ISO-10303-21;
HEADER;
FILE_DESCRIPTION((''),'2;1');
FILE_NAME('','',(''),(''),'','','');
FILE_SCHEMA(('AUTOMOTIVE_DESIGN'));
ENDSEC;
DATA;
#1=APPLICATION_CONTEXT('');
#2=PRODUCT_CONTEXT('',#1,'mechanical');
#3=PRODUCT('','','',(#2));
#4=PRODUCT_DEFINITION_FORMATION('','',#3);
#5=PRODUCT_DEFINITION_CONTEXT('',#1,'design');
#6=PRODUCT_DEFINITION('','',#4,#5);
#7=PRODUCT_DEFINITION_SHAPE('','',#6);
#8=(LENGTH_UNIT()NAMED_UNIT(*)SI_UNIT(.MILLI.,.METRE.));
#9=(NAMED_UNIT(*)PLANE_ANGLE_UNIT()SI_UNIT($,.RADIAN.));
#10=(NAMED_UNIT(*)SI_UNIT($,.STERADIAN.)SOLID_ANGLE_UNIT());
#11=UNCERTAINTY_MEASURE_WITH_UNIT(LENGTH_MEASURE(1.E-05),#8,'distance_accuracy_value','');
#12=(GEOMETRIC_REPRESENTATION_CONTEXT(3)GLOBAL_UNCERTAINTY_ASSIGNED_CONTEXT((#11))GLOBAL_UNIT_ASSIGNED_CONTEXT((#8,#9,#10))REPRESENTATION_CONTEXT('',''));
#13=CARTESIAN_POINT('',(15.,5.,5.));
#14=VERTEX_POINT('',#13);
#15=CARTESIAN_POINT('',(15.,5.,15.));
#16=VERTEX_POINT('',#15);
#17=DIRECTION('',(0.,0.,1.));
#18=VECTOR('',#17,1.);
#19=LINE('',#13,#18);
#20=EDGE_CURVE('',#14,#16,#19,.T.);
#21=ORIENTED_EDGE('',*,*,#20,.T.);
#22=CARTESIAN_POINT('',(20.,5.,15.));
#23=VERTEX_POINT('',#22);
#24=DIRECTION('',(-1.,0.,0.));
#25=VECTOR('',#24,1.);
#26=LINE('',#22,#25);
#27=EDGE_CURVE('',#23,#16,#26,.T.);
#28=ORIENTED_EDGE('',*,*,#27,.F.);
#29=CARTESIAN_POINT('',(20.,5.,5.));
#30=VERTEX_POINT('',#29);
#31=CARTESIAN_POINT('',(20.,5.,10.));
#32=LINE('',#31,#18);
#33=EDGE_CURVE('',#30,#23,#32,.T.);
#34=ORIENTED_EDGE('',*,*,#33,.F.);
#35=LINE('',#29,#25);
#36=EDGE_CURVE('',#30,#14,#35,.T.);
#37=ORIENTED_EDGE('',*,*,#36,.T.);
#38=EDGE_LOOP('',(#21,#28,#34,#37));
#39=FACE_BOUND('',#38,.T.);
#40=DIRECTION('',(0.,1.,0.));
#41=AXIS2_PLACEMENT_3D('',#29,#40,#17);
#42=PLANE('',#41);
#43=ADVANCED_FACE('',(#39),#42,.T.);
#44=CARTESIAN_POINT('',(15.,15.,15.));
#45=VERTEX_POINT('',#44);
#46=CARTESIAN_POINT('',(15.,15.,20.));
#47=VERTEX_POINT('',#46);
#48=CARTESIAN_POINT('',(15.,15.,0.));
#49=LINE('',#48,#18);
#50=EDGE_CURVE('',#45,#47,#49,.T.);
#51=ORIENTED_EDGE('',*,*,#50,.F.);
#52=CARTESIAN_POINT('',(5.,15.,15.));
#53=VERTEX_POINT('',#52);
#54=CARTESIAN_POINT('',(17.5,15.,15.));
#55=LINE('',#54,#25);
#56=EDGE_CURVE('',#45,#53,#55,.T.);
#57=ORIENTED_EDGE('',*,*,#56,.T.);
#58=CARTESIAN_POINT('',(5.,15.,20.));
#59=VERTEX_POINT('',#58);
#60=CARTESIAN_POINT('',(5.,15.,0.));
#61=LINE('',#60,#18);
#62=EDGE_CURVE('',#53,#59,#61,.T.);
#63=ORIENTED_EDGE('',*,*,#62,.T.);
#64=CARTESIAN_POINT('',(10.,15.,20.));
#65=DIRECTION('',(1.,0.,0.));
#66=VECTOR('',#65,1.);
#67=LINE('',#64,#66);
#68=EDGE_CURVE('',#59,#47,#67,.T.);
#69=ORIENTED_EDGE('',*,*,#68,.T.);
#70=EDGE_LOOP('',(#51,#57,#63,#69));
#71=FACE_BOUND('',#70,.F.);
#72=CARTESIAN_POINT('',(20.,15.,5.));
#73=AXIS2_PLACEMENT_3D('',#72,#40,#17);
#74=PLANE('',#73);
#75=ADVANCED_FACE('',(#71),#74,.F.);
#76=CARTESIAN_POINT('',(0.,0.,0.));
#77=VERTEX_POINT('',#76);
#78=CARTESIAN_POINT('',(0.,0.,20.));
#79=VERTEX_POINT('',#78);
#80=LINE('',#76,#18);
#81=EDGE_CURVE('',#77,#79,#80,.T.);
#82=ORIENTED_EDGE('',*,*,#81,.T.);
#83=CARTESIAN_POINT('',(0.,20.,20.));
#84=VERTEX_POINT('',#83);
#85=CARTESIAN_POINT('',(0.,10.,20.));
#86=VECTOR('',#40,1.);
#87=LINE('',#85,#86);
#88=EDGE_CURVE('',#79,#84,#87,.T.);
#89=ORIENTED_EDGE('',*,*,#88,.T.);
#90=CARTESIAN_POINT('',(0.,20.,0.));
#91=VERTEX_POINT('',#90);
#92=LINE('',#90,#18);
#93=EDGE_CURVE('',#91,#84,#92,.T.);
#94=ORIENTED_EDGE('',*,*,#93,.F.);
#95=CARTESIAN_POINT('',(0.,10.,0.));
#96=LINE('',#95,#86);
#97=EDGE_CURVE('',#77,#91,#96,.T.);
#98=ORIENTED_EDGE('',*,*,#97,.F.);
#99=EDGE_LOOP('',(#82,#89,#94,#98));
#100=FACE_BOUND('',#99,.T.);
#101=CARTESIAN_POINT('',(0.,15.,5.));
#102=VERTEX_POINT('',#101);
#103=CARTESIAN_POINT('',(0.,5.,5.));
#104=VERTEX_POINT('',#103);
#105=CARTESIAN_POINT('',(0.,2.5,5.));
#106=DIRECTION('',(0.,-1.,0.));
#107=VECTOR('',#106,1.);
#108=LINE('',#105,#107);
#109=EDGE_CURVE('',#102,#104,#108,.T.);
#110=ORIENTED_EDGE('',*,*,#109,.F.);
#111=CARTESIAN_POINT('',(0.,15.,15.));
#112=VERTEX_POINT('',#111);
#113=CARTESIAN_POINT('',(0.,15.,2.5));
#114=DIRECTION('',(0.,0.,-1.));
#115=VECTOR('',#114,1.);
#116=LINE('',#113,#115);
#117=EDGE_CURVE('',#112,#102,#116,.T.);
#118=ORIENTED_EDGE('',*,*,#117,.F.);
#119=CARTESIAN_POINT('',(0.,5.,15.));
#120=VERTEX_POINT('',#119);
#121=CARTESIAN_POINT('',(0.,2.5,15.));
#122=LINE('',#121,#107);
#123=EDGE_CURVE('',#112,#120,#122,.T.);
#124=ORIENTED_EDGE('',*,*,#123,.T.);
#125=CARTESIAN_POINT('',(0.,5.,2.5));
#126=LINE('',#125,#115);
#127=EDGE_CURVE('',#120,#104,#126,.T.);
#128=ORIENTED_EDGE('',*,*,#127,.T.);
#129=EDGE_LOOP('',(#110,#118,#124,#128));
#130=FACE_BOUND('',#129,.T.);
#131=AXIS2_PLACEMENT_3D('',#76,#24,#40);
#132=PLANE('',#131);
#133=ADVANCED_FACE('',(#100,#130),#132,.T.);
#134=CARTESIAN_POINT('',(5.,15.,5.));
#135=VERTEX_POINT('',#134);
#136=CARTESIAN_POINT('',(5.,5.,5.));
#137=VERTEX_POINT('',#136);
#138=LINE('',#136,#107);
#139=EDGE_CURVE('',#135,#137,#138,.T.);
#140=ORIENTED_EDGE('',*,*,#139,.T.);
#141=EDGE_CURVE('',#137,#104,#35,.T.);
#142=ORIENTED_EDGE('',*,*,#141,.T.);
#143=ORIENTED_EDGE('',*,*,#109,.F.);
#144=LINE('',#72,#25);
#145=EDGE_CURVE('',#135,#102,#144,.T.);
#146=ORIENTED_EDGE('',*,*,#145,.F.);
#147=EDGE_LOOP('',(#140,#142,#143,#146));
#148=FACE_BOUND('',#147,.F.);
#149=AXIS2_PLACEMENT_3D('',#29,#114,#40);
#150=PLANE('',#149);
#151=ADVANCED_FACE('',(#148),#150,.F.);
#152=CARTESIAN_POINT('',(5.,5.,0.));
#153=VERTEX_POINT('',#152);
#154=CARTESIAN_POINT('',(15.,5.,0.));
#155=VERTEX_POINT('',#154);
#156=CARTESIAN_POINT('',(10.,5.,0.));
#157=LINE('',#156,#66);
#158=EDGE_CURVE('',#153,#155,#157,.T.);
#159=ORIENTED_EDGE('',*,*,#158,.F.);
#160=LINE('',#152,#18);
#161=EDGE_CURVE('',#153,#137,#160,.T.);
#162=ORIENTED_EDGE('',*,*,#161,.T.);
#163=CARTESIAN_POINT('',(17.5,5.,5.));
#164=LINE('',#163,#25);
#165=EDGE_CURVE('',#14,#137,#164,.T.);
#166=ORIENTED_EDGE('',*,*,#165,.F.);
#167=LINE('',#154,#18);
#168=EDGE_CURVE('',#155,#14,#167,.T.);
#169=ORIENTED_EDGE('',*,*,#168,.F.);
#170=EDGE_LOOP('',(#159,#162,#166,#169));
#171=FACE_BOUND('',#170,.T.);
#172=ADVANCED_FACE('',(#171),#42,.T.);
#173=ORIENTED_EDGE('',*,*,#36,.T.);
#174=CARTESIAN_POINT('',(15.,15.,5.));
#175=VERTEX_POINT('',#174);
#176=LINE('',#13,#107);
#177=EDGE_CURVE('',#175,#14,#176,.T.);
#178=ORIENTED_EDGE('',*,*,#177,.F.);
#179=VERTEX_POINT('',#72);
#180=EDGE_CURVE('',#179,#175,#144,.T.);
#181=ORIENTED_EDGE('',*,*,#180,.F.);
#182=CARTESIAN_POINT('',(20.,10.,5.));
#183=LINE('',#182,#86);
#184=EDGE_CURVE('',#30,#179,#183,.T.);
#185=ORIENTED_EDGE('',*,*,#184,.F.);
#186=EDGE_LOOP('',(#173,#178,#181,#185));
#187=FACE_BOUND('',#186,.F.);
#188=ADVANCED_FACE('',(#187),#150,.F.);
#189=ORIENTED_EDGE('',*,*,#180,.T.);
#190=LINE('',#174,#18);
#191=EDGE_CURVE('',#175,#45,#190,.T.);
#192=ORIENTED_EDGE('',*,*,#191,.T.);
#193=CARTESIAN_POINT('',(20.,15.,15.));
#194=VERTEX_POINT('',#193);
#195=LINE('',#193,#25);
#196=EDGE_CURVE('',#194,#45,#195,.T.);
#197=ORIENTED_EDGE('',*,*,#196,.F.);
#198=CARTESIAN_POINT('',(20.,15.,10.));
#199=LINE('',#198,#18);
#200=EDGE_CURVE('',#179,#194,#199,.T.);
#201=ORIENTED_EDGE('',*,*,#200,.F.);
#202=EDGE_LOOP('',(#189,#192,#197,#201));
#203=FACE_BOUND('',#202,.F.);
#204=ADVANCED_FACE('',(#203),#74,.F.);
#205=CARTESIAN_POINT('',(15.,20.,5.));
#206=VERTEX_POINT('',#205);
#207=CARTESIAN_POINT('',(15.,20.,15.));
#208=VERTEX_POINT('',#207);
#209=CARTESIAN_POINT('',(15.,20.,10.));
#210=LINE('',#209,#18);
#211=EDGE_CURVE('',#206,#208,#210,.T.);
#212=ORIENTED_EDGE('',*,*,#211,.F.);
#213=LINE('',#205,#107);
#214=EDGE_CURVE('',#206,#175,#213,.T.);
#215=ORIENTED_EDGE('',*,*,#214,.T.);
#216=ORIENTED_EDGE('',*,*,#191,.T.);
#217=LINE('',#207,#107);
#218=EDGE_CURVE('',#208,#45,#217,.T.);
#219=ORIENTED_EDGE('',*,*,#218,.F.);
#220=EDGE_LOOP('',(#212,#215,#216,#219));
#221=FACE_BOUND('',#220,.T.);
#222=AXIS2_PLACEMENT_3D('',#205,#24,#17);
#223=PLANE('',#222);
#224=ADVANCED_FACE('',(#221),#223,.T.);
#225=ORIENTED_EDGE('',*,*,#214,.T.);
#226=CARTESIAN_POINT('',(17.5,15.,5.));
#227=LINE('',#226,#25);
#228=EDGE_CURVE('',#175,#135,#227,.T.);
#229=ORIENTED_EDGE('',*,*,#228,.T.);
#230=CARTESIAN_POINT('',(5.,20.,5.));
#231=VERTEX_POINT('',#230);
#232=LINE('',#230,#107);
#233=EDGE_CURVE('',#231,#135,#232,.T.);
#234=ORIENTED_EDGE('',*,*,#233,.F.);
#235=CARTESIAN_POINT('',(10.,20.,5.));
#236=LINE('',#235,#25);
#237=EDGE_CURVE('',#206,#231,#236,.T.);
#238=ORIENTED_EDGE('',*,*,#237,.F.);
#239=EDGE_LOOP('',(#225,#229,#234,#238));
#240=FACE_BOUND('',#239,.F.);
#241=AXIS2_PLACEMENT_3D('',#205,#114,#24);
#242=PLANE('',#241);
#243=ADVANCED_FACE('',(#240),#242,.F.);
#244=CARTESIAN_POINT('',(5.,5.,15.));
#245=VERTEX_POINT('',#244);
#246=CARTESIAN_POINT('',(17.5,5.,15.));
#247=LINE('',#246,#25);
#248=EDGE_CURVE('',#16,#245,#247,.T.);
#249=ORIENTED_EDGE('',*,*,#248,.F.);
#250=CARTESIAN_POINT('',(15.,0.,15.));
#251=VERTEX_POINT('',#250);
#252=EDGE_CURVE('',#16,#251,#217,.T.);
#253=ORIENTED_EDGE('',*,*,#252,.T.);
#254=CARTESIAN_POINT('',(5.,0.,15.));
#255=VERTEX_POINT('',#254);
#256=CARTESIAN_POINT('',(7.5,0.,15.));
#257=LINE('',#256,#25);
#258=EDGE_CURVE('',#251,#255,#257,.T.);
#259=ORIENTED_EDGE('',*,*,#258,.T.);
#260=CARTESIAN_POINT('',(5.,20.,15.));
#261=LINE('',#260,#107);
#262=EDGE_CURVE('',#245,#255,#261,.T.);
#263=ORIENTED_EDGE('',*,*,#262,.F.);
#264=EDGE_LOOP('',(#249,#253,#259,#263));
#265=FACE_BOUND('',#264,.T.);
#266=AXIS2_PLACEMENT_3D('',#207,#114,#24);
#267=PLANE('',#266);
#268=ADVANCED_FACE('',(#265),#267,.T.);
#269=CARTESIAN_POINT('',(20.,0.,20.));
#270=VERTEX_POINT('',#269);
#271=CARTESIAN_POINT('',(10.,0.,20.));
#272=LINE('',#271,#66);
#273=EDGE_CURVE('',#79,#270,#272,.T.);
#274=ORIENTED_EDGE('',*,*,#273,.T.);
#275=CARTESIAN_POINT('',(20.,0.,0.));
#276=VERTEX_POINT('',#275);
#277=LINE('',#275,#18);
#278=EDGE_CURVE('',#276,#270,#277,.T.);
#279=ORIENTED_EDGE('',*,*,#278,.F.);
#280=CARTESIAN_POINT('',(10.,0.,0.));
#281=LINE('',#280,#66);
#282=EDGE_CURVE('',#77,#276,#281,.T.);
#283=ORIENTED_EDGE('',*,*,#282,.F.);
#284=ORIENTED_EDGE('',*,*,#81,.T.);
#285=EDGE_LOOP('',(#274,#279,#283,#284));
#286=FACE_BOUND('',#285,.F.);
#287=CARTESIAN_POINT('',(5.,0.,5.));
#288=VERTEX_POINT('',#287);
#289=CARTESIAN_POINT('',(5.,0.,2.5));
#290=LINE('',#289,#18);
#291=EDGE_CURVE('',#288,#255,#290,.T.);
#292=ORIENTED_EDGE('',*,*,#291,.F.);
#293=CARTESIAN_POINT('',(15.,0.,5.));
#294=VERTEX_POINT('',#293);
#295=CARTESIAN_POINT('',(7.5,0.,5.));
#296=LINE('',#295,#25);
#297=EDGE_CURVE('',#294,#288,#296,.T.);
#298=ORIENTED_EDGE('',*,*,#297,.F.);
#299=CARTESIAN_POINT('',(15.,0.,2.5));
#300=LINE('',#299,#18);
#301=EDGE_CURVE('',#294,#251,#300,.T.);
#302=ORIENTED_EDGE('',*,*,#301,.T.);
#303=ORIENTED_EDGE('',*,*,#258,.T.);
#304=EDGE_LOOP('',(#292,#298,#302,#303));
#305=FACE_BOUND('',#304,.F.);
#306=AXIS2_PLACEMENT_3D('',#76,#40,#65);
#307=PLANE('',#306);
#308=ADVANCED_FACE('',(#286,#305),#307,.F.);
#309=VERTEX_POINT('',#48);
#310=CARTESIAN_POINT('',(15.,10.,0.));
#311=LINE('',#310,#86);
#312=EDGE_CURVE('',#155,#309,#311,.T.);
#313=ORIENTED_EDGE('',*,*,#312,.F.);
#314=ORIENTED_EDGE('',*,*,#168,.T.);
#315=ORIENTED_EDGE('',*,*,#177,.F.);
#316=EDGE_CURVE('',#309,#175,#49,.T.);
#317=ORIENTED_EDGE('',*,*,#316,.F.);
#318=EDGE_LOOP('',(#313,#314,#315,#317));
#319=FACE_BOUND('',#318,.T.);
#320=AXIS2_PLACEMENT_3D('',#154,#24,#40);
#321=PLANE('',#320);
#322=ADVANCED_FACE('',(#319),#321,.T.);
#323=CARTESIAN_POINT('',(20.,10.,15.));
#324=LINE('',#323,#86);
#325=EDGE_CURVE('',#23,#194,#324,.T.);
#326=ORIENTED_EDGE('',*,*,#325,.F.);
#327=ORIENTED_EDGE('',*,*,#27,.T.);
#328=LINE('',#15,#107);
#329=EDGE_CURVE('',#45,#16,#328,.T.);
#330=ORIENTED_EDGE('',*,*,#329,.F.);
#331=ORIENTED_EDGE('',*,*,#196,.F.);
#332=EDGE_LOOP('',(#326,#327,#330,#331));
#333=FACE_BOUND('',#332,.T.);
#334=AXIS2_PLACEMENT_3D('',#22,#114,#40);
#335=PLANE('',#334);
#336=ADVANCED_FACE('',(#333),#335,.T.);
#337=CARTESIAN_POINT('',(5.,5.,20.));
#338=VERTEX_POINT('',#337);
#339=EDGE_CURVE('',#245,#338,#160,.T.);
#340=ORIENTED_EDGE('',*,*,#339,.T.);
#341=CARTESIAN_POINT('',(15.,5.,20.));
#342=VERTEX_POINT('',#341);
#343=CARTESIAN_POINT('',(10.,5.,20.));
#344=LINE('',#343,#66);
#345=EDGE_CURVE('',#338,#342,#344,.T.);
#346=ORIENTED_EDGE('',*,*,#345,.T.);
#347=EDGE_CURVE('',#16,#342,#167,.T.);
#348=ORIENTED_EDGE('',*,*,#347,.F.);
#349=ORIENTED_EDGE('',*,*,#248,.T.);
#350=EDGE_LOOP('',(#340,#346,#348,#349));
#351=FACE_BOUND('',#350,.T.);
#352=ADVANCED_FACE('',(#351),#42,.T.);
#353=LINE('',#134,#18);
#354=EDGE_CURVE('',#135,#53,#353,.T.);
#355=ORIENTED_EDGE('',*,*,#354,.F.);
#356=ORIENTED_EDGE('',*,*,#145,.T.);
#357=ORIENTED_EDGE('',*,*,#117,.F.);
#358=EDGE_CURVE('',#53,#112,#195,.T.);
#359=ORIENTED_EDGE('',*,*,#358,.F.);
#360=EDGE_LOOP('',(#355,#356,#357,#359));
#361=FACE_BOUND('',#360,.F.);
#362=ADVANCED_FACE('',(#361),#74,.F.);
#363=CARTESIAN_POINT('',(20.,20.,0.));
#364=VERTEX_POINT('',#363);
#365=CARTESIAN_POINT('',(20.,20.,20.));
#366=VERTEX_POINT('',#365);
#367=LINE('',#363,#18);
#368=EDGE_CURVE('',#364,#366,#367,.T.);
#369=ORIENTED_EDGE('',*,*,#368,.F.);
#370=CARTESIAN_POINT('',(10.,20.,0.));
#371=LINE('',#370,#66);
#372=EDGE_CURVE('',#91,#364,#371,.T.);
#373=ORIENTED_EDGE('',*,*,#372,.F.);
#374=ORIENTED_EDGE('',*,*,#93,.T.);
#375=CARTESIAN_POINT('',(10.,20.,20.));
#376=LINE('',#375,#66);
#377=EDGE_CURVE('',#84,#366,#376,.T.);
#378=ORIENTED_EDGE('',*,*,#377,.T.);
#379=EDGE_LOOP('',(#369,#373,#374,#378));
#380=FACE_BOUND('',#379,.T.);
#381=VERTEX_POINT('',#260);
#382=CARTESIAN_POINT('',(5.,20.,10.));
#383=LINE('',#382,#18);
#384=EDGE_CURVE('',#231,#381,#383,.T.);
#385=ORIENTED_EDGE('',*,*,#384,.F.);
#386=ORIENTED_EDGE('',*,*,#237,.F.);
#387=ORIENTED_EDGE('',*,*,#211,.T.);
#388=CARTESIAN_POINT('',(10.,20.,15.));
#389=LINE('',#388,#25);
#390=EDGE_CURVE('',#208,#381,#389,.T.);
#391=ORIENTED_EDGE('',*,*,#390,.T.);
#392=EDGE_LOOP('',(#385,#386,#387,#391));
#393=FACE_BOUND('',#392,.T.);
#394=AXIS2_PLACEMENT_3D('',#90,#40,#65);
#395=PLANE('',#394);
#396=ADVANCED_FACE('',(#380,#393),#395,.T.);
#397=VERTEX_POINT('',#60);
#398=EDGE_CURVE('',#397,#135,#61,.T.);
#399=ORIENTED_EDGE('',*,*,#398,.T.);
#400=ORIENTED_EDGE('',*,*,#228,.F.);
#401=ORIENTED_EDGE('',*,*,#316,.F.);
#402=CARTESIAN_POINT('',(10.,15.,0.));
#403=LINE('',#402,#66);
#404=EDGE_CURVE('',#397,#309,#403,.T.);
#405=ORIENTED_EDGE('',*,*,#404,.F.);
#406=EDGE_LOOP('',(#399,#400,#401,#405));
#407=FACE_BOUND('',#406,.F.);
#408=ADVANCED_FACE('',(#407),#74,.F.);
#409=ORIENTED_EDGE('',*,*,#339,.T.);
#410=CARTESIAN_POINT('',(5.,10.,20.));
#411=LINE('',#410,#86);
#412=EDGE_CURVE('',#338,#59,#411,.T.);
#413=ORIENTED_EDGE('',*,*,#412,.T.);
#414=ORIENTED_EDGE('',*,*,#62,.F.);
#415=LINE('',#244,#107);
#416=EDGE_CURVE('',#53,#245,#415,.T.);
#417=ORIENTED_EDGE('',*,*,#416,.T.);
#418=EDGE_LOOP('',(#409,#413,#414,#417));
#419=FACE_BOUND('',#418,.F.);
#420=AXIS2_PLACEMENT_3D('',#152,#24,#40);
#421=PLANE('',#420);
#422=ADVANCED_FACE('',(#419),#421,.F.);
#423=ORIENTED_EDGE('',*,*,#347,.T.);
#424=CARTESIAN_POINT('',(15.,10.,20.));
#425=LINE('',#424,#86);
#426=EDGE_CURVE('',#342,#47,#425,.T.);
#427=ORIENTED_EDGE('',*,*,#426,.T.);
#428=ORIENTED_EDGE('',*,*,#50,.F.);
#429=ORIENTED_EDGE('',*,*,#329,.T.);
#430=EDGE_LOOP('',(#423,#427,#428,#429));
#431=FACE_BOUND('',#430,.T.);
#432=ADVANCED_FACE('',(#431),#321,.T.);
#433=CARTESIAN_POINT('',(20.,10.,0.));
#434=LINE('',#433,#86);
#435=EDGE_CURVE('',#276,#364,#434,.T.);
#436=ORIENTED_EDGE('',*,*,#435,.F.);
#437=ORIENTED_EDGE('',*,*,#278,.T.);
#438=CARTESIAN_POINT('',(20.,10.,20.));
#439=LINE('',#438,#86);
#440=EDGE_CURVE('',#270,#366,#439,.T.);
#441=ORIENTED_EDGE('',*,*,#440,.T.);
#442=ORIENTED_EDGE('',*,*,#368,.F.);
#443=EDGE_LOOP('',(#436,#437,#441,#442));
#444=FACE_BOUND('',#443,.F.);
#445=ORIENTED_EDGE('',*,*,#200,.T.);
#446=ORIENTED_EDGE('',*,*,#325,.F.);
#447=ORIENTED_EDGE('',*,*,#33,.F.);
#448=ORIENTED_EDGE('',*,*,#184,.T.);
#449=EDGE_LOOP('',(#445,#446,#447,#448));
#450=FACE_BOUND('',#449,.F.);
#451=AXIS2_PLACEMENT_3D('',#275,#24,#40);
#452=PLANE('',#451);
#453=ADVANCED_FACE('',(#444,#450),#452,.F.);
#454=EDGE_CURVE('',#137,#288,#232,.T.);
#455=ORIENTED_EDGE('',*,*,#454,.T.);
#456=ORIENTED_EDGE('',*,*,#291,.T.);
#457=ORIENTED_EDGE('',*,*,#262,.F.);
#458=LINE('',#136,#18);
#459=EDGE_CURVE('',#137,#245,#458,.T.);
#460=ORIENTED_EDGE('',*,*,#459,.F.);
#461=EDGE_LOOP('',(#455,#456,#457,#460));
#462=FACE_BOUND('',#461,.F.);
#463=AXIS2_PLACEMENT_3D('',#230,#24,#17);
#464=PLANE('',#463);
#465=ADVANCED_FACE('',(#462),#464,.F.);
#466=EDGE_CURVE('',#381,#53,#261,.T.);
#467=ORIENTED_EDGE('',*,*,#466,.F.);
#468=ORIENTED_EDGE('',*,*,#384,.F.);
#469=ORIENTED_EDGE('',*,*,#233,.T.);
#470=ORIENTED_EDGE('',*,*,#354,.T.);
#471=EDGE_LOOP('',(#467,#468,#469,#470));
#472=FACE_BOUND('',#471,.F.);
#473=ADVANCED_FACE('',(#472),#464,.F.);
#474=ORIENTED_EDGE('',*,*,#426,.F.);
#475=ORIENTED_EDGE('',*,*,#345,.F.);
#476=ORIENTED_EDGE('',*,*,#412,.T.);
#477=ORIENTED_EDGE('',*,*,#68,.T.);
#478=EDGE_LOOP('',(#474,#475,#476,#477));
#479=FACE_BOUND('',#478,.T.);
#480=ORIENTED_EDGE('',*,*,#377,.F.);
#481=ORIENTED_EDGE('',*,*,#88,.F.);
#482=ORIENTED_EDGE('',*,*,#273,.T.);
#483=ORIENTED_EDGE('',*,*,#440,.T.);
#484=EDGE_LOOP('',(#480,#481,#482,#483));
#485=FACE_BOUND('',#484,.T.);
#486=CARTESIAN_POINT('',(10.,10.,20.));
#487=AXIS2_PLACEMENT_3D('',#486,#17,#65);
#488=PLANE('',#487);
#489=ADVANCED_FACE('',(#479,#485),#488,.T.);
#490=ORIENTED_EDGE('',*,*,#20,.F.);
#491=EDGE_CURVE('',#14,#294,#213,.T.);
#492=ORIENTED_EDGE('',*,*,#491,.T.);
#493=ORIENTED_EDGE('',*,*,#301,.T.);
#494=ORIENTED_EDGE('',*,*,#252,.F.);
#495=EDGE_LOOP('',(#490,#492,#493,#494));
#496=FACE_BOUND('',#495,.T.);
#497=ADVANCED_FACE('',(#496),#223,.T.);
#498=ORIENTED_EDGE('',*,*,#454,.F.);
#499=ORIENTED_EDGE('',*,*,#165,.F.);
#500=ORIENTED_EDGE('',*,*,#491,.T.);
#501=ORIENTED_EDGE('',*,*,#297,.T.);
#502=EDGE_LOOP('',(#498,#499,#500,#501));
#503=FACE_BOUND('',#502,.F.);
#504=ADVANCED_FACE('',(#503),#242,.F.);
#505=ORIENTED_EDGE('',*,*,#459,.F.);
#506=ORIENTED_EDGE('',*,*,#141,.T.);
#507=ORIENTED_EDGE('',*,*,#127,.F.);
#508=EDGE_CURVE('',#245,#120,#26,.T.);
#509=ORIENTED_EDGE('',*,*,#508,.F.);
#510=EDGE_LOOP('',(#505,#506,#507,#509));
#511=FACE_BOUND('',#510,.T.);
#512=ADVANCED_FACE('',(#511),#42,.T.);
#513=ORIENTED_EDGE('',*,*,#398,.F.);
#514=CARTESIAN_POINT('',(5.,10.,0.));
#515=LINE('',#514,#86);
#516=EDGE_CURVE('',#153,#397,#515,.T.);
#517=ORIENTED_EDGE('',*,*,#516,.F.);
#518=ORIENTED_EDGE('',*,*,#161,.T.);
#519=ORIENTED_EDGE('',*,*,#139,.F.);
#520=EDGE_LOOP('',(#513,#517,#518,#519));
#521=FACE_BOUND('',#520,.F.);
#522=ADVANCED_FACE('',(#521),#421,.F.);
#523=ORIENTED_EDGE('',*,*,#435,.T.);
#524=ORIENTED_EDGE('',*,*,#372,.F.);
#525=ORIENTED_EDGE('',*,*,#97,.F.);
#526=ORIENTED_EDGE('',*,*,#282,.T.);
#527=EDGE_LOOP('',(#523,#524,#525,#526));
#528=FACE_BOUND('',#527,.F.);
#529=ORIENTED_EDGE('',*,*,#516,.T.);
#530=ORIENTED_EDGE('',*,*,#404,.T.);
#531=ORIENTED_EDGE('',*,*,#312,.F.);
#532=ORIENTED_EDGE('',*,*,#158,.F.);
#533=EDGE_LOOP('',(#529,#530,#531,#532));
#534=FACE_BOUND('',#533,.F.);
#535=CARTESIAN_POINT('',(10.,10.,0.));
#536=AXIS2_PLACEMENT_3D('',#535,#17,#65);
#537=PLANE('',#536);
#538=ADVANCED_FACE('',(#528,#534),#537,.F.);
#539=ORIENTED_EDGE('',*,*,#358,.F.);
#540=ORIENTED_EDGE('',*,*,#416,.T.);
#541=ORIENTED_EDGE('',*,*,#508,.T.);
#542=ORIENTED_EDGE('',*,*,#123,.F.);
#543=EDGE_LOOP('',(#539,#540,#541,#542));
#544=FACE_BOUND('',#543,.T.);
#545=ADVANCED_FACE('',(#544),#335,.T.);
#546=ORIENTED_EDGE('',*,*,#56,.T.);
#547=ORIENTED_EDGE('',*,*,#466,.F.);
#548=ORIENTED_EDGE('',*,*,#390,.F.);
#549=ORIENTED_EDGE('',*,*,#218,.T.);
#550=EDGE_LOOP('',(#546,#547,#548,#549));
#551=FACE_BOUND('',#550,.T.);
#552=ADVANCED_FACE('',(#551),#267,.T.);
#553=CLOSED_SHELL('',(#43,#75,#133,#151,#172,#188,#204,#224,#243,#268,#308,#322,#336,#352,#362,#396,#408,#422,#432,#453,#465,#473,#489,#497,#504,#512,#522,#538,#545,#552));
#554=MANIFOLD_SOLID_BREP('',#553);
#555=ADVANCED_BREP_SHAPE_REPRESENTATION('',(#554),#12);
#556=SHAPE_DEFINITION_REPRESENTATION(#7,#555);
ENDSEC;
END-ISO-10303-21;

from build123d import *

# Parameters (mm, degrees)
F0_W     = 20
F0_H     = 20
F0_W_2   = 10
F0_H_2   = 10
F1_DEPTH = 20
F2_W     = 10
F2_H     = 10
F3_DEPTH = 20.001
F4_W     = 10
F4_H     = 10
F5_DEPTH = 20.001


with BuildPart() as f1:
    # F0 (on Top) → F1 (new body)
    with BuildSketch(Plane.XY):
        with Locations((10, 10)):
            Rectangle(F0_W, F0_H)
        with Locations((10, 10)):
            Rectangle(F0_W_2, F0_H_2, mode=Mode.SUBTRACT)
    extrude(amount=F1_DEPTH)

    # F2 (on face) → F3 (cut, through all)
    with BuildSketch(Plane.YZ.offset(20)):
        with Locations((10, 10)):
            Rectangle(F2_W, F2_H)
    extrude(amount=-F3_DEPTH, mode=Mode.SUBTRACT)

    # F4 (on face) → F5 (cut, through all)
    with BuildSketch(Plane(origin=(0, 20, 0), x_dir=(-1, 0, 0), z_dir=(0, 1, 0))):
        with Locations((-10, 10)):
            Rectangle(F4_W, F4_H)
    extrude(amount=-F5_DEPTH, mode=Mode.SUBTRACT)


solid = f1.part
